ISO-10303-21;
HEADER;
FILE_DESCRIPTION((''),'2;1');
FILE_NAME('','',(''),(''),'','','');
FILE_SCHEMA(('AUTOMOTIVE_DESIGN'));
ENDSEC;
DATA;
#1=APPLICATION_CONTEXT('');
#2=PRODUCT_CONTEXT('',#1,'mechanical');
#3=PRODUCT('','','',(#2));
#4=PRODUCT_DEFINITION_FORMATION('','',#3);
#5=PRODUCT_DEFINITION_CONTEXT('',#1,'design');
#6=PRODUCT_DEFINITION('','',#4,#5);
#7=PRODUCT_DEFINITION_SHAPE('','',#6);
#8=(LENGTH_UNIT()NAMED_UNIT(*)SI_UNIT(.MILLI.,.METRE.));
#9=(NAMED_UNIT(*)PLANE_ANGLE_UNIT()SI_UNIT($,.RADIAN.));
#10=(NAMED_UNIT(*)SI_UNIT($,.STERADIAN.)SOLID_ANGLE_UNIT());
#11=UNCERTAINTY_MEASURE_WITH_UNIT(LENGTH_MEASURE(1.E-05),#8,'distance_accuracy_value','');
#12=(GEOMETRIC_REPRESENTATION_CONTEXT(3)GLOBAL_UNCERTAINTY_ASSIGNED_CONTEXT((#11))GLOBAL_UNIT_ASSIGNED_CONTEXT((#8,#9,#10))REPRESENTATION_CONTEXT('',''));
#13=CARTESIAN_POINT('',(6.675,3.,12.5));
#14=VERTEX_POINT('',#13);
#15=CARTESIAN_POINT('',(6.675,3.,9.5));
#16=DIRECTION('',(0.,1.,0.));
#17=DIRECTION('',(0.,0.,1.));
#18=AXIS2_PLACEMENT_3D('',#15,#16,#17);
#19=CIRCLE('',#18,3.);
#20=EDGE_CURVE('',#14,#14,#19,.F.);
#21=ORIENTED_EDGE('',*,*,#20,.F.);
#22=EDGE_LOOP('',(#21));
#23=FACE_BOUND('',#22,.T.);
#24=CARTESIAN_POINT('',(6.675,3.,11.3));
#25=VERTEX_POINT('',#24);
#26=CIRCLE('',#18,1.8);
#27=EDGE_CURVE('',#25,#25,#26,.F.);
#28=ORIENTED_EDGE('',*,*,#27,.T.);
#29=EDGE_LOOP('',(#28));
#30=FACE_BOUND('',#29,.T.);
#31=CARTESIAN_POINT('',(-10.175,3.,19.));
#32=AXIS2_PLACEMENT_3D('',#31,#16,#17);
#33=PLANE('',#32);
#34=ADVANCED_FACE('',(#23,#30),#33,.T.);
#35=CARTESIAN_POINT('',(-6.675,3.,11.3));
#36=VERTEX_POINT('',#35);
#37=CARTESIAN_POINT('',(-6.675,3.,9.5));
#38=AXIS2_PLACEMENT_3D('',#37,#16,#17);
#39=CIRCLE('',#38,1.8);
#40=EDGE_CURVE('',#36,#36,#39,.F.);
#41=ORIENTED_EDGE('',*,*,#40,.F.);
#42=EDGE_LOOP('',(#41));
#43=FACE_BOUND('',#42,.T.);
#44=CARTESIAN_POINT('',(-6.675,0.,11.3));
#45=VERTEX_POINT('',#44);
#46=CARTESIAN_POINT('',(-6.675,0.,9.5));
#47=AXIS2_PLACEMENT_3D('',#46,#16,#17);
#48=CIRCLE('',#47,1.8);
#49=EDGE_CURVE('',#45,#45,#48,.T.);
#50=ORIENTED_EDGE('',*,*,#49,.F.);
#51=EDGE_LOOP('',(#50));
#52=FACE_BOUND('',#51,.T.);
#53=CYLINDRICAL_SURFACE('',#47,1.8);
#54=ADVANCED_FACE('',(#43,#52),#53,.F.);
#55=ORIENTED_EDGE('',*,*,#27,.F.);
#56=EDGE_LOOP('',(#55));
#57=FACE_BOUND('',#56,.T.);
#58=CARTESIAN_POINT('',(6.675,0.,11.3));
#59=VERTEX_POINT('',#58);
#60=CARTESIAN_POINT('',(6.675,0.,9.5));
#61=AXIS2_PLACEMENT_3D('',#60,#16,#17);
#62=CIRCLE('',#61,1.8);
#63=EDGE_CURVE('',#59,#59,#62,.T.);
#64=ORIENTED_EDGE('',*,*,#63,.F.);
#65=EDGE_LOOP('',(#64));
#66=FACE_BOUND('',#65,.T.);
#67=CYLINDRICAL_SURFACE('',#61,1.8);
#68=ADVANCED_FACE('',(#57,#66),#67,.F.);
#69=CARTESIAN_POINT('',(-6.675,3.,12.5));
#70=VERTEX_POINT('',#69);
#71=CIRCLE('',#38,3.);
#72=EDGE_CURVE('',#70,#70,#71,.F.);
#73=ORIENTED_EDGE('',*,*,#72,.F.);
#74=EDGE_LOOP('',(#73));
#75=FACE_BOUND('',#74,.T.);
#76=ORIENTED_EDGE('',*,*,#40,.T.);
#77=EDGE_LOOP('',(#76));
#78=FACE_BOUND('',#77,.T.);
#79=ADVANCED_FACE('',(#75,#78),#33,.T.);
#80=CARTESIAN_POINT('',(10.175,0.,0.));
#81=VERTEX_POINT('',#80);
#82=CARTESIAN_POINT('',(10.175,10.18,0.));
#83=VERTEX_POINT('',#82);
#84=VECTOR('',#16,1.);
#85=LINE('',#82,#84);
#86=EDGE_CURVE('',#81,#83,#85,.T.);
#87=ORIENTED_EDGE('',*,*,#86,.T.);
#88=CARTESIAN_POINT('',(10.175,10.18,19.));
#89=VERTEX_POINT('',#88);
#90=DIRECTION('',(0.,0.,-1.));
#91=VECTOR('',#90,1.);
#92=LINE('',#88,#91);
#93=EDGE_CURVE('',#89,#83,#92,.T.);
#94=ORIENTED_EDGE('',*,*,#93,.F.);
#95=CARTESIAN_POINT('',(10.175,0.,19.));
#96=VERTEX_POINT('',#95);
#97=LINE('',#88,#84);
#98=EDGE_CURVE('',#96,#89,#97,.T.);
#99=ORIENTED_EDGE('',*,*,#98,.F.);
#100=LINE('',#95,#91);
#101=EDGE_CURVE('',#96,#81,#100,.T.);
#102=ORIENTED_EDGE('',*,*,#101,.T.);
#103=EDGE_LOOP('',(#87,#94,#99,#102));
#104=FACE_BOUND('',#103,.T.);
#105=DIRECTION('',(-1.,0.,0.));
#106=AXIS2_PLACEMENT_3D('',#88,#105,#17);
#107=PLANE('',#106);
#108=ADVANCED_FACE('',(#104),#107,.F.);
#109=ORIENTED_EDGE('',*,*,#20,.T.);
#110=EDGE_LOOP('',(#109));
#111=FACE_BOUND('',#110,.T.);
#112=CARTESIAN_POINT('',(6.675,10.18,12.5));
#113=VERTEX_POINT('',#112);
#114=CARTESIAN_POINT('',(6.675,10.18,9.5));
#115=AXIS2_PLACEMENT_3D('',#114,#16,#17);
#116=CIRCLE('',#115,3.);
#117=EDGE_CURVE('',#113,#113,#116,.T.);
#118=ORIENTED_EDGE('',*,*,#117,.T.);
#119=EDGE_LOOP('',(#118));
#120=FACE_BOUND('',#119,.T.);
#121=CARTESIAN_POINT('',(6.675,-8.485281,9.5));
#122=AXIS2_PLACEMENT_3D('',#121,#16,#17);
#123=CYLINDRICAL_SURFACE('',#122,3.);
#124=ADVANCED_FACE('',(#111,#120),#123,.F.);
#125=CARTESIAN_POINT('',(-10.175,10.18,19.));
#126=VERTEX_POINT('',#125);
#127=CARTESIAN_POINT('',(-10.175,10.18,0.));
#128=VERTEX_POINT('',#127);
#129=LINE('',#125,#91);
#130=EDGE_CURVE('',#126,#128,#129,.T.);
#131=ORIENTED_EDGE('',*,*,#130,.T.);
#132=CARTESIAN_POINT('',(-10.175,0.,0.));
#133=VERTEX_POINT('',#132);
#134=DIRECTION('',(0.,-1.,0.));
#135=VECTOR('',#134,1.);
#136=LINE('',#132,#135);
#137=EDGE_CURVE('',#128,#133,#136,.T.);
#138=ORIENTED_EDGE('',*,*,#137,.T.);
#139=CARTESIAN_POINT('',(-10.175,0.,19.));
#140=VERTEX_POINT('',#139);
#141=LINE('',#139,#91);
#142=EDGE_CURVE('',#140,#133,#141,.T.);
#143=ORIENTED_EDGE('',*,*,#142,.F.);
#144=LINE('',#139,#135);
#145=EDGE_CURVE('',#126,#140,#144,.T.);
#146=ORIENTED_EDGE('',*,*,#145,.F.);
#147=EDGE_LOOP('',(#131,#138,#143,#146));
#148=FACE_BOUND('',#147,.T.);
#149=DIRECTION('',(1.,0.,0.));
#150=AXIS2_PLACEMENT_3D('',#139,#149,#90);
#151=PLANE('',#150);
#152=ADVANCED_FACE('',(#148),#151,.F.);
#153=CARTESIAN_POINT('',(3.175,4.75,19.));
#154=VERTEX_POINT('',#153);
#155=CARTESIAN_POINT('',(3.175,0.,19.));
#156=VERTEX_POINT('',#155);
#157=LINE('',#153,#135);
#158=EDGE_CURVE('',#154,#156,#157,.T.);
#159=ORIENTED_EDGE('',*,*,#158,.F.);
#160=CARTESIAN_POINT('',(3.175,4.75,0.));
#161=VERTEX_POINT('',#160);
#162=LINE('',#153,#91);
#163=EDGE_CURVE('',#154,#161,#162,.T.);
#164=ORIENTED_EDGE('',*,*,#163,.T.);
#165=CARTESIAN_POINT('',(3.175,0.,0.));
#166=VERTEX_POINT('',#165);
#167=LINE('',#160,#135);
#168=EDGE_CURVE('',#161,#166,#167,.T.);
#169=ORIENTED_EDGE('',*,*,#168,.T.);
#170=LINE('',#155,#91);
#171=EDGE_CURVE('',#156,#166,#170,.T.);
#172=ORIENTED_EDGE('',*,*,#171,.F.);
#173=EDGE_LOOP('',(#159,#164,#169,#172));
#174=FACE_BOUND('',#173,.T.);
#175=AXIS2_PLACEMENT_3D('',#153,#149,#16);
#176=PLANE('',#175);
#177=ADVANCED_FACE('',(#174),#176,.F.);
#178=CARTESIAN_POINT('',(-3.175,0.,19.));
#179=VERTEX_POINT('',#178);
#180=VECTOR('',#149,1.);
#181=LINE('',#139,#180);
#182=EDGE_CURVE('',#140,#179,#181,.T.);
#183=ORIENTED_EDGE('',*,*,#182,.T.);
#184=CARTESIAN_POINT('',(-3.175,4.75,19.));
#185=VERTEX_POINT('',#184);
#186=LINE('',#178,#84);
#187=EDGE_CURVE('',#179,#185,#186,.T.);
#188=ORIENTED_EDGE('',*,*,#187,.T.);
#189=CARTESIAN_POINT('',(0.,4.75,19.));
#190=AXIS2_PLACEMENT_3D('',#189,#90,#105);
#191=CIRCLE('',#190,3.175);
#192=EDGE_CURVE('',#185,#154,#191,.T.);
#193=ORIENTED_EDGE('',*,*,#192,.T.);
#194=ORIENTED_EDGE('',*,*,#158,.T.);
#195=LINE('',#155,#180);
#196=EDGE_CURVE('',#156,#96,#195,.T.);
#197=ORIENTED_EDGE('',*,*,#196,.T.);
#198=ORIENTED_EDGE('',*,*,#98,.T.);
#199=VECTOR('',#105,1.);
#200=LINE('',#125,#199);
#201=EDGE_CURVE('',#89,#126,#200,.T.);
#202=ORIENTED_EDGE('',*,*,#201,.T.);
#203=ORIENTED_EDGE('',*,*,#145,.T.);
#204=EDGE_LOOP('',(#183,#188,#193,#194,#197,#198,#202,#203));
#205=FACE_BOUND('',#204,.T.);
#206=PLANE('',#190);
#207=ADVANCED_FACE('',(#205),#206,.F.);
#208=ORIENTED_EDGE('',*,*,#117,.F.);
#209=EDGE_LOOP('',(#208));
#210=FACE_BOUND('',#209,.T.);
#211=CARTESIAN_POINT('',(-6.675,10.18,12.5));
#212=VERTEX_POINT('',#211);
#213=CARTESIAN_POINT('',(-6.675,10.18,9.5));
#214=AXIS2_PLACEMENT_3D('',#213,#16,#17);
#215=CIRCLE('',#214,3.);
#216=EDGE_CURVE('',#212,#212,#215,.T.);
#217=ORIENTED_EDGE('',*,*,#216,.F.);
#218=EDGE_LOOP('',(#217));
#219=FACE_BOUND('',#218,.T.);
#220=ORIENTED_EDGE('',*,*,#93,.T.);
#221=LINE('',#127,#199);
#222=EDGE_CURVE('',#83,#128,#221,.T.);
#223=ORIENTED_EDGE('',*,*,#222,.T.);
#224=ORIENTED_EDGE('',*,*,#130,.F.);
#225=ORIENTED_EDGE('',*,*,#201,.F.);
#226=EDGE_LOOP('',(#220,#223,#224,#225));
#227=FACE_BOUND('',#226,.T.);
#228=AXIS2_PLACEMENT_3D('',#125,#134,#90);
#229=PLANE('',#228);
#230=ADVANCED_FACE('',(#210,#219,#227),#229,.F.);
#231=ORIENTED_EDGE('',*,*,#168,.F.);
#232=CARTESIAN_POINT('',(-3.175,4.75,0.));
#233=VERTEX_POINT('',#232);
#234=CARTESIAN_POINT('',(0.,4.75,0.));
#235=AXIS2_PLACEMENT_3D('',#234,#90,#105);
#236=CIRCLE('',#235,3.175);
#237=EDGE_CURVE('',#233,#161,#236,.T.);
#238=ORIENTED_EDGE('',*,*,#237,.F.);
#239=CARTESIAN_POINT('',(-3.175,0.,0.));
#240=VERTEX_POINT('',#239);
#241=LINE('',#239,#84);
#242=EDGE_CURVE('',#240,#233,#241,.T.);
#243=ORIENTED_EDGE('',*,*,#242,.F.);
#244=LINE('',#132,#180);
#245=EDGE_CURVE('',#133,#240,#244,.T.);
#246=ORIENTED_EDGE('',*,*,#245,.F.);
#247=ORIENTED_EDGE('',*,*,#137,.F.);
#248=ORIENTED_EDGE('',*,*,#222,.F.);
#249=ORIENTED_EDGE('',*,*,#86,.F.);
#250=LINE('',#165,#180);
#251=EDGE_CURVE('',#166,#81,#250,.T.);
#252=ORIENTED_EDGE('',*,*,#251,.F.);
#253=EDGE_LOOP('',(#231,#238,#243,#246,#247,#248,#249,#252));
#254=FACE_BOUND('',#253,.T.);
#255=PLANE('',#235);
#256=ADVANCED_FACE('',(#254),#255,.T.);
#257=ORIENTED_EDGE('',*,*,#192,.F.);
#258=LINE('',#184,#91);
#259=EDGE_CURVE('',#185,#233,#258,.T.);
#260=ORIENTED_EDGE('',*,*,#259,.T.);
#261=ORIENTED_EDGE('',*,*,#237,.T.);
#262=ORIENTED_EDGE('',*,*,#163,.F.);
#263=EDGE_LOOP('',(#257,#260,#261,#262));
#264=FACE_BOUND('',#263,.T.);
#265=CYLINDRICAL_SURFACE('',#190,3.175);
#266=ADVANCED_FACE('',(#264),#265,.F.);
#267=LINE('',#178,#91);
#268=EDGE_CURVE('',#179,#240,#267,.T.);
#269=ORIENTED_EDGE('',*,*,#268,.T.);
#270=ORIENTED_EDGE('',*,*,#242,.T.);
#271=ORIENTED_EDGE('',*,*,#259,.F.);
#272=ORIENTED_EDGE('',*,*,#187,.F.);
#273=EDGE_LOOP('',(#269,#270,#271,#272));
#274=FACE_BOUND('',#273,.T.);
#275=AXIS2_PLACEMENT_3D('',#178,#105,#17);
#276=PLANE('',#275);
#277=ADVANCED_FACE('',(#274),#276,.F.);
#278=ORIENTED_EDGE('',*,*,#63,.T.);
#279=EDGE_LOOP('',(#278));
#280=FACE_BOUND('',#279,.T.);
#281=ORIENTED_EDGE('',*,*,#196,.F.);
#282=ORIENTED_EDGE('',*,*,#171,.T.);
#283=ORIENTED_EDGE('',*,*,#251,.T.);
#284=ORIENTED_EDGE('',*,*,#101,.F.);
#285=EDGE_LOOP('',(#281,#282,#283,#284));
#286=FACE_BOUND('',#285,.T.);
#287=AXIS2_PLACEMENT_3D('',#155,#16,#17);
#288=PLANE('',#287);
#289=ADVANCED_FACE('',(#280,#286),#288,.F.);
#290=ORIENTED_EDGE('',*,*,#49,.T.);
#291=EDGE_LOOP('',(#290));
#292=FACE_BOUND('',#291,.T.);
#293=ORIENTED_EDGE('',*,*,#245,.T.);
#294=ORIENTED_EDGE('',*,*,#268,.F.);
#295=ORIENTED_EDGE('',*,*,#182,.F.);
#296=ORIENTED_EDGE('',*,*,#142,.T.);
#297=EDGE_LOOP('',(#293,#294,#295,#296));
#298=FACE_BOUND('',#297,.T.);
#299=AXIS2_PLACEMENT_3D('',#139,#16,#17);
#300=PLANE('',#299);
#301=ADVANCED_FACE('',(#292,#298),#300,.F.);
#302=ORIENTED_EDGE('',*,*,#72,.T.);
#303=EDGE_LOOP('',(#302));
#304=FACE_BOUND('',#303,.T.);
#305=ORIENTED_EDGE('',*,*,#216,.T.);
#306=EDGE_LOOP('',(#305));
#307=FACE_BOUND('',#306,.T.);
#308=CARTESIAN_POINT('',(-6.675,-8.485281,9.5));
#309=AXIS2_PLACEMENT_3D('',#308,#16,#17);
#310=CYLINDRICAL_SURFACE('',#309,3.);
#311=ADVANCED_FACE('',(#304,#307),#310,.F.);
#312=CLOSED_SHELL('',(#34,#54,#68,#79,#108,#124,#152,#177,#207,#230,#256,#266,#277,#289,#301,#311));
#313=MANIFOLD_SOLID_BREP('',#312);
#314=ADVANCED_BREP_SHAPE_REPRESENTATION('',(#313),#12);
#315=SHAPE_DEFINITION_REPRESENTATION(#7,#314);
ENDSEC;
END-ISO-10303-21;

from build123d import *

# Parameters (mm, degrees)
BOSS_EXTRUDE1_DEPTH = 19
SKETCH2_R           = 1.8
CUT_EXTRUDE1_DEPTH  = 24.836170519
SKETCH2_3_R         = 3
SKETCH2_3_R_2       = 1.8
CUT_EXTRUDE2_DEPTH  = 7.18


with BuildPart() as part:
    # Sketch1 → Boss-Extrude1 (new body)
    with BuildSketch(Plane.XY):
        with BuildLine():
            Line((-10.175, 0), (-10.175, 10.18))
            Line((-10.175, 10.18), (10.175, 10.18))
            Line((10.175, 10.18), (10.175, 0))
            Line((10.175, 0), (3.175, 0))
            Line((3.175, 0), (3.175, 4.75))
            ThreePointArc((3.175, 4.75), (0, 7.925), (-3.175, 4.75))
            Line((-3.175, 4.75), (-3.175, 0))
            Line((-3.175, 0), (-10.175, 0))
        make_face()
    extrude(amount=BOSS_EXTRUDE1_DEPTH)

    # Sketch2 → Cut-Extrude1 (cut, through all)
    with BuildSketch(Plane(origin=(0, 10.18, 0), x_dir=(1, 0, 0), z_dir=(0, 1, 0))):
        with Locations(Location((-6.675, -9.5, 0), (0, 0, 270))):
            Circle(SKETCH2_R)
        with Locations(Location((6.675, -9.5, 0), (0, 0, 270))):
            Circle(SKETCH2_R)
    extrude(amount=-CUT_EXTRUDE1_DEPTH, mode=Mode.SUBTRACT)

    # Sketch2<3> → Cut-Extrude2 (cut)
    # profile 1 of 2: a face of its own
    with BuildSketch(Plane(origin=(0, 10.18, 0), x_dir=(1, 0, 0), z_dir=(0, 1, 0))):
        with Locations(Location((-6.675, -9.5, 0), (0, 0, 270))):
            Circle(SKETCH2_3_R)
        with Locations(Location((-6.675, -9.5, 0), (0, 0, 270))):
            Circle(SKETCH2_3_R_2, mode=Mode.SUBTRACT)
    # profile 2 of 2: a face of its own
    with BuildSketch(Plane(origin=(0, 10.18, 0), x_dir=(1, 0, 0), z_dir=(0, 1, 0))):
        with Locations(Location((6.675, -9.5, 0), (0, 0, 270))):
            Circle(SKETCH2_3_R)
    extrude(amount=-CUT_EXTRUDE2_DEPTH, mode=Mode.SUBTRACT)


solid = part.part
